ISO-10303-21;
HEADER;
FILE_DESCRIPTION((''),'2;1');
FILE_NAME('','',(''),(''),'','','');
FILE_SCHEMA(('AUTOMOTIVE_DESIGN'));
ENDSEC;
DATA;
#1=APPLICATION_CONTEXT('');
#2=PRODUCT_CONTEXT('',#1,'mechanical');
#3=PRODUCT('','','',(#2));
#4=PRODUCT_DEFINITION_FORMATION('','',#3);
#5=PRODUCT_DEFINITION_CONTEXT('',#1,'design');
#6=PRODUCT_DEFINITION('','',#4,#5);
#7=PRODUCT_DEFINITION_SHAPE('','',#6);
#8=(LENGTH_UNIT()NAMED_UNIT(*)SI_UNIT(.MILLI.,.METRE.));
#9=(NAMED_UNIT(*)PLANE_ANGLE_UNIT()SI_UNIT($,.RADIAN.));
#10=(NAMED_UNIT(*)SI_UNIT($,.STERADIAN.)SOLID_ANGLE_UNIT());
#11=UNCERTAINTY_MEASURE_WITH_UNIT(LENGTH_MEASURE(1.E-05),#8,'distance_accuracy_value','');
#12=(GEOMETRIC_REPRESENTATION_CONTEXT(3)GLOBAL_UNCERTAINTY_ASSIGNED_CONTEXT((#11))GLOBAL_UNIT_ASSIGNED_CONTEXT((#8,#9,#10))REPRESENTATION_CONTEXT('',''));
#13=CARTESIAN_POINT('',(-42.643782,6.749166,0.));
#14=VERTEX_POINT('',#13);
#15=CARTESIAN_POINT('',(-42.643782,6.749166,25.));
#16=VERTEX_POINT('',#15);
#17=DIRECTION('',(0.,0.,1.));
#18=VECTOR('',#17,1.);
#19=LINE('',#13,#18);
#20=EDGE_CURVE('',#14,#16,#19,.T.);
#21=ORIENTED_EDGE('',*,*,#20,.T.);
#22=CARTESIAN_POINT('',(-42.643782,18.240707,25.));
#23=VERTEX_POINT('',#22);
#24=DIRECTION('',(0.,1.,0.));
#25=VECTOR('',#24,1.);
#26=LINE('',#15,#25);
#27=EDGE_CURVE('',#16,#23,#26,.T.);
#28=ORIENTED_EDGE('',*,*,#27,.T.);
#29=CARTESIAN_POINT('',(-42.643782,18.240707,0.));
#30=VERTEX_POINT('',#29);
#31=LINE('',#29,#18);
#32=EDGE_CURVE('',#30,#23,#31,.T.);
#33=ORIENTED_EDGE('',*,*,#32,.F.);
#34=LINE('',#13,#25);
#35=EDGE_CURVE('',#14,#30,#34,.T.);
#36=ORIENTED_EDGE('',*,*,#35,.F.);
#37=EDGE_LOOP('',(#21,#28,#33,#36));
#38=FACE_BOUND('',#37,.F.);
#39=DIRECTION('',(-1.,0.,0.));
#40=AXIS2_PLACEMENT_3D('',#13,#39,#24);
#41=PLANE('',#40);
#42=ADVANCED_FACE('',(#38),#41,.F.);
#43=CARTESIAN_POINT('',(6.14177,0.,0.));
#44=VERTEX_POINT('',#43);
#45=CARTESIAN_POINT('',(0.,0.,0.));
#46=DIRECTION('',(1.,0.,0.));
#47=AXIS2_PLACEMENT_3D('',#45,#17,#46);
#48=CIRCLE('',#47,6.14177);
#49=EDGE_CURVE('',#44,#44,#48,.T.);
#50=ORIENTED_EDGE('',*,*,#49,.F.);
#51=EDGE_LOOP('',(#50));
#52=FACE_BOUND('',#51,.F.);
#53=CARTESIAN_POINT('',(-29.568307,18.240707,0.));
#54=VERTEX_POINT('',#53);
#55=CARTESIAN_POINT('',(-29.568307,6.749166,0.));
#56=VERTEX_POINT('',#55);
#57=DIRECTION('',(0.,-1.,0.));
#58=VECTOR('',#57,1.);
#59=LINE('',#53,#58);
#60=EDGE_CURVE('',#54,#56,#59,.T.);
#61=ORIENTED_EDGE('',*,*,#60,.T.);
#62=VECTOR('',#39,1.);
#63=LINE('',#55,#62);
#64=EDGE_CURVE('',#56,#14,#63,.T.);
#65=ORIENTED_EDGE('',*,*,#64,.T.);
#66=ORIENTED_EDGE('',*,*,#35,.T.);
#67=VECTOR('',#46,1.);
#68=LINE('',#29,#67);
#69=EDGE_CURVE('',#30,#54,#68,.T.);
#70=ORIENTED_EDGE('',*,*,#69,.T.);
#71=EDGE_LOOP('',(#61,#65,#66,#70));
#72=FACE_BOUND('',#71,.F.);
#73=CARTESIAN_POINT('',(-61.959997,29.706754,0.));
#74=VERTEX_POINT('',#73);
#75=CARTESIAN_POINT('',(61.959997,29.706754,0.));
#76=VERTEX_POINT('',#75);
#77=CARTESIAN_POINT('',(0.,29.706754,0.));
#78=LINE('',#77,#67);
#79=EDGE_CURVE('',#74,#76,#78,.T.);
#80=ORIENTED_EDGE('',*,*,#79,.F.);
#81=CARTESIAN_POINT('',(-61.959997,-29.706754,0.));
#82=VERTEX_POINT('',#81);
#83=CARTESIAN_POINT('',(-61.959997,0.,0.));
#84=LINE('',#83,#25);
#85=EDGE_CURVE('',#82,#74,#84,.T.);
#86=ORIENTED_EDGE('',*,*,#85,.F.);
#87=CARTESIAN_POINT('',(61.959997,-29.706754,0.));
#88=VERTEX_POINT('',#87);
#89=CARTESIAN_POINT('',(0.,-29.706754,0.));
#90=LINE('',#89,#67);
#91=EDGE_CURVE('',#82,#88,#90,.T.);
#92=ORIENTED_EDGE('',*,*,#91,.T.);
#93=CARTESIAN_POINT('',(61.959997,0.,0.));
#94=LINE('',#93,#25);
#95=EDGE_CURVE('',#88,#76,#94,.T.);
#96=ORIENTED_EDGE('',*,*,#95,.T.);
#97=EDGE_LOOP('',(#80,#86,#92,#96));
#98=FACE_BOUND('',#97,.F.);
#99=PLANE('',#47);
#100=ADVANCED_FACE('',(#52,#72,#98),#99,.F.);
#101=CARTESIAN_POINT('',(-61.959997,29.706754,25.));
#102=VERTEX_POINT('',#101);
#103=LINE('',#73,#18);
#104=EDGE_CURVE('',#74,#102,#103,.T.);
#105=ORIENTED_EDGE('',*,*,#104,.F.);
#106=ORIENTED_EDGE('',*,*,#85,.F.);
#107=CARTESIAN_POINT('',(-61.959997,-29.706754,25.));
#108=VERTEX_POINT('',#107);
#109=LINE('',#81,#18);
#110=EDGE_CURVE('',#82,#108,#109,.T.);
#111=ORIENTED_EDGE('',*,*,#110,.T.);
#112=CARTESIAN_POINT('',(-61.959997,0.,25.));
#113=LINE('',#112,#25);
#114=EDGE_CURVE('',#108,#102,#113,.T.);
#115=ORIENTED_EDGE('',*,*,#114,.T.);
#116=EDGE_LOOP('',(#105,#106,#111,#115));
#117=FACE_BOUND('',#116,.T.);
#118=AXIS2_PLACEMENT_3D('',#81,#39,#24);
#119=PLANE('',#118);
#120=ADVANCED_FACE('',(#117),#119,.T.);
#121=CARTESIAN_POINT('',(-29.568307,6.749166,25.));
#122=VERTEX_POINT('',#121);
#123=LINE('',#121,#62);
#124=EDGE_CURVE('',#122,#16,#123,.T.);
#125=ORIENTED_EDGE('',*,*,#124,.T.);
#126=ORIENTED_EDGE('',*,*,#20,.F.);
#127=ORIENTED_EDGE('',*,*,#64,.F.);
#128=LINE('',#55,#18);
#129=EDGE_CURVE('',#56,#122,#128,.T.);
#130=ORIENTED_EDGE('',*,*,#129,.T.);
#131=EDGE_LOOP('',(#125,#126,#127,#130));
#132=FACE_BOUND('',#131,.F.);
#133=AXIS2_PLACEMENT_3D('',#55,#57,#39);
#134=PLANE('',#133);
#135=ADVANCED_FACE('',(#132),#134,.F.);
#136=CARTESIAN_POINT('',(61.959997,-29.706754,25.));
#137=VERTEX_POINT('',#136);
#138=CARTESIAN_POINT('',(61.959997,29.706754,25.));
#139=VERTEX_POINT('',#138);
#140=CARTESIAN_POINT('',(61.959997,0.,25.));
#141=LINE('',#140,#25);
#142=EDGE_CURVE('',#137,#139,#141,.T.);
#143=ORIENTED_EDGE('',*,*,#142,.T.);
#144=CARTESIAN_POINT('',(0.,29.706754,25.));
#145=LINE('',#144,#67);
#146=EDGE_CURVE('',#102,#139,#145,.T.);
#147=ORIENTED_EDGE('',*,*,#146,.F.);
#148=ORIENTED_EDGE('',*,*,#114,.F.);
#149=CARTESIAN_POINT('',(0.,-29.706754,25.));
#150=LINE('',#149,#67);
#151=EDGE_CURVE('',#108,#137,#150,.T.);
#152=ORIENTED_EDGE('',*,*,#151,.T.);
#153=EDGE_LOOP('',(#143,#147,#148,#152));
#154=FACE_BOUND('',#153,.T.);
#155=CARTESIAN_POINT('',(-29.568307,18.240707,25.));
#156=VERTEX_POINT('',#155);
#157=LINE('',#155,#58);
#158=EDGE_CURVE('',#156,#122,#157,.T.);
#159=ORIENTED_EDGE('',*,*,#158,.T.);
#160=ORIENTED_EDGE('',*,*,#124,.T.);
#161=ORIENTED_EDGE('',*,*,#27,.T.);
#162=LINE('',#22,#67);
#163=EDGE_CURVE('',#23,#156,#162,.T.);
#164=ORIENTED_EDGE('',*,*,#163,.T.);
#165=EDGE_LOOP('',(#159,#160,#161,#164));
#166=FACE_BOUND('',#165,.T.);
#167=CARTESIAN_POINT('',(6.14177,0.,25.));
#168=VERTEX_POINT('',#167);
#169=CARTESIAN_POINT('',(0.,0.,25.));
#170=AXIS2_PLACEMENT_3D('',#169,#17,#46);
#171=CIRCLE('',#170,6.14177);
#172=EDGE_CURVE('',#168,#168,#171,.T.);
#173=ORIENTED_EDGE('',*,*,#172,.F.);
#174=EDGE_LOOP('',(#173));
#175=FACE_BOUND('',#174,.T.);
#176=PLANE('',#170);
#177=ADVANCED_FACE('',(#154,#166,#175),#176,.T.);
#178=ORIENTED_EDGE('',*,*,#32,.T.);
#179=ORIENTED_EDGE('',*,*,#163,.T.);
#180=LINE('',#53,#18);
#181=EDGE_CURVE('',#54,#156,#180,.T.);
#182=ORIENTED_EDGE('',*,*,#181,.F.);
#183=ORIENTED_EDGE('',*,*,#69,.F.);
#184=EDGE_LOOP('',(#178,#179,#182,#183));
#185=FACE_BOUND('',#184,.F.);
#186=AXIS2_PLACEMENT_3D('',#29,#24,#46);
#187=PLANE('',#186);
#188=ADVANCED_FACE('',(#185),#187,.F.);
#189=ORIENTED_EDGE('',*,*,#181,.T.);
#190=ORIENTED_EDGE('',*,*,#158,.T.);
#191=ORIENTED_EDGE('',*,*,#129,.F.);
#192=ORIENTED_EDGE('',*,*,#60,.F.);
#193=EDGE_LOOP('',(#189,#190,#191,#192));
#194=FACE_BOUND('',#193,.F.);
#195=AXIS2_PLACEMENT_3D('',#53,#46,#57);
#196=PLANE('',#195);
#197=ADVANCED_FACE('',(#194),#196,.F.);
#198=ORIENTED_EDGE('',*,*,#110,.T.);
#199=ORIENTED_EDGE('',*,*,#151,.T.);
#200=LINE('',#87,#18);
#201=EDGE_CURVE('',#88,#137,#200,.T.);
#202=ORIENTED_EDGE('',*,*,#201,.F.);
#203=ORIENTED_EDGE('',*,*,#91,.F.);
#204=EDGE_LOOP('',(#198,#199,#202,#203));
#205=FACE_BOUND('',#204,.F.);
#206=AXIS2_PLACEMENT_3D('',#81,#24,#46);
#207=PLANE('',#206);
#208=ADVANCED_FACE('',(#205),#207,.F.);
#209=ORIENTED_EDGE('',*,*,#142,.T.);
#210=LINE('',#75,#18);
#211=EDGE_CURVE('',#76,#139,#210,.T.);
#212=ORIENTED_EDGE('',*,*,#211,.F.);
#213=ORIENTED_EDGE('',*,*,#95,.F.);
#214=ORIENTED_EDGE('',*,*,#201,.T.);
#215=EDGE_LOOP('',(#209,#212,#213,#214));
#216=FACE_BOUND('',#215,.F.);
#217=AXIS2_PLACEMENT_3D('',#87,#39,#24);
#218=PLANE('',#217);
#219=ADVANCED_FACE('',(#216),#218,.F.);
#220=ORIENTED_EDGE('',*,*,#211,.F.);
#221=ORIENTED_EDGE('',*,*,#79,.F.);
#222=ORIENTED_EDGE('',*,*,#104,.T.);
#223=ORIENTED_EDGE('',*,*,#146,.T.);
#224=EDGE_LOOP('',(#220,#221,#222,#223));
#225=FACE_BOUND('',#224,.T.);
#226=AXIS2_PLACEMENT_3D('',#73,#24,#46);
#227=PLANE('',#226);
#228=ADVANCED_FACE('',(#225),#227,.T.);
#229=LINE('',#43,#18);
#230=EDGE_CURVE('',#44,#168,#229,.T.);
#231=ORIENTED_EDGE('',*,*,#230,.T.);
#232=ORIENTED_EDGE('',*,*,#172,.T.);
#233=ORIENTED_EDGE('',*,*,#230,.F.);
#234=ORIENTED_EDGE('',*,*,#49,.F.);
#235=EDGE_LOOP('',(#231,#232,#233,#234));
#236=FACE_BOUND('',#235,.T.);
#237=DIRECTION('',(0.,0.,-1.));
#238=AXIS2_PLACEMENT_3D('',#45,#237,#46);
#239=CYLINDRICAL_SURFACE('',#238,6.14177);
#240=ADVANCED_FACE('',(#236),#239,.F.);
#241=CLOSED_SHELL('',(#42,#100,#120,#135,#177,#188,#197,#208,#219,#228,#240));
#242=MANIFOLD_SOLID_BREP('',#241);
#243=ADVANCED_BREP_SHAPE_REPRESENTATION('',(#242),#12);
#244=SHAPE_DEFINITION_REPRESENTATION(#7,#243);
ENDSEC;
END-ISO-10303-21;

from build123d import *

# Parameters (mm, degrees)
F0_W     = 123.919994
F0_H     = 59.413508
F0_R     = 6.14177
F1_DEPTH = 25


with BuildPart() as f1:
    # F0 (on Top) → F1 (new body)
    with BuildSketch(Plane.XY):
        Rectangle(F0_W, F0_H)
        Polygon((-42.643782, 6.749166), (-42.643782, 18.240707), (-29.568307, 18.240707), (-29.568307, 12.494937), (-29.568307, 6.749166), align=None, mode=Mode.SUBTRACT)
        Circle(F0_R, mode=Mode.SUBTRACT)
    extrude(amount=F1_DEPTH)


solid = f1.part
